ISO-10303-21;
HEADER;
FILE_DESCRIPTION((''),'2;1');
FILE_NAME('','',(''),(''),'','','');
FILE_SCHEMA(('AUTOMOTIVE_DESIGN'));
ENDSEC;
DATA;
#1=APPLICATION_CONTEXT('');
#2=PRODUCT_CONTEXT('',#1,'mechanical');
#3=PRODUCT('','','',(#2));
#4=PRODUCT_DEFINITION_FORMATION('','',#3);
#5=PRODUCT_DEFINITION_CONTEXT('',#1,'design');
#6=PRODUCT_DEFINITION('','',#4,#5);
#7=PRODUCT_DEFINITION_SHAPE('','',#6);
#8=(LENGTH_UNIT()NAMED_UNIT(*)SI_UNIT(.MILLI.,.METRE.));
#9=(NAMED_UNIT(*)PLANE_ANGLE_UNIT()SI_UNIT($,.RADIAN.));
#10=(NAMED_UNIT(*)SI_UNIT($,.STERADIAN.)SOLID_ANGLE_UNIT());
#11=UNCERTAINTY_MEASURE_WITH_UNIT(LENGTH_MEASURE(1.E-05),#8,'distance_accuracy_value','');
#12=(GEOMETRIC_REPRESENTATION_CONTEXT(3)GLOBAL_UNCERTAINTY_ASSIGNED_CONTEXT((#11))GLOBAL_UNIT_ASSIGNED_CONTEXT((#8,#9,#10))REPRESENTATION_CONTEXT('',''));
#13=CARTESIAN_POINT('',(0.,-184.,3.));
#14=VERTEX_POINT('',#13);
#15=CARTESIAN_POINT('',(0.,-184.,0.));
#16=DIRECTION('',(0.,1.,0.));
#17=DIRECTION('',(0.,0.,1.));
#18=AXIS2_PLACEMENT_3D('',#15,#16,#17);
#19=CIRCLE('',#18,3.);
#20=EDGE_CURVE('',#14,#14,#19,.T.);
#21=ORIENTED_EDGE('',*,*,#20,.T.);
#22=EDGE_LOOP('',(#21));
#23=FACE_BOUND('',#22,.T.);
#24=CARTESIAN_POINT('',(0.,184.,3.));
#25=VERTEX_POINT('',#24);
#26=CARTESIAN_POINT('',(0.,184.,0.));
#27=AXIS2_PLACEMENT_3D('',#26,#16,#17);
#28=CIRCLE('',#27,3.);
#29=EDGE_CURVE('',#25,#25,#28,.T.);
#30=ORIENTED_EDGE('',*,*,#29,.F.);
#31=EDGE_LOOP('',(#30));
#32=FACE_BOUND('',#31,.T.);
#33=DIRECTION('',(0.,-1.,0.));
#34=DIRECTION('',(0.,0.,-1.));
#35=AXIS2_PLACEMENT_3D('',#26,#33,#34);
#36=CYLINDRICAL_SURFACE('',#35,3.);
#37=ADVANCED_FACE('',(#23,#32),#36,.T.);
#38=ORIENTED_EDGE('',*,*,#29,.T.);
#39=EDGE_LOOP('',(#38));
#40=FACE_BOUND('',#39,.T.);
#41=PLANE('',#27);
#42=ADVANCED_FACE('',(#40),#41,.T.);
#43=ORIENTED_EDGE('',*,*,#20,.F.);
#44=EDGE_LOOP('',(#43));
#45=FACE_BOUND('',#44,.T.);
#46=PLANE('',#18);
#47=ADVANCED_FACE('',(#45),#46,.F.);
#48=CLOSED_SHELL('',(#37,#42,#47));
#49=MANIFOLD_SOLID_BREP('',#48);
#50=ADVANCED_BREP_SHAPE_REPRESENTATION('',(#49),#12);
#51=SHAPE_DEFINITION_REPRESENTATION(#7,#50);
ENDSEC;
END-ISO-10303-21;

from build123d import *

# Parameters (mm, degrees)
CROQUIS5_R              = 3
SALIENTE_EXTRUIR3_DEPTH = 184


with BuildPart() as part:
    # Croquis5 → Saliente-Extruir3 (new, symmetric)
    with BuildSketch(Plane(origin=(0, 0, 0), x_dir=(1, 0, 0), z_dir=(0, 1, 0))):
        with Locations(Location((0, 0, 0), (0, 0, 270))):
            Circle(CROQUIS5_R)
    extrude(amount=SALIENTE_EXTRUIR3_DEPTH, both=True)


solid = part.part
